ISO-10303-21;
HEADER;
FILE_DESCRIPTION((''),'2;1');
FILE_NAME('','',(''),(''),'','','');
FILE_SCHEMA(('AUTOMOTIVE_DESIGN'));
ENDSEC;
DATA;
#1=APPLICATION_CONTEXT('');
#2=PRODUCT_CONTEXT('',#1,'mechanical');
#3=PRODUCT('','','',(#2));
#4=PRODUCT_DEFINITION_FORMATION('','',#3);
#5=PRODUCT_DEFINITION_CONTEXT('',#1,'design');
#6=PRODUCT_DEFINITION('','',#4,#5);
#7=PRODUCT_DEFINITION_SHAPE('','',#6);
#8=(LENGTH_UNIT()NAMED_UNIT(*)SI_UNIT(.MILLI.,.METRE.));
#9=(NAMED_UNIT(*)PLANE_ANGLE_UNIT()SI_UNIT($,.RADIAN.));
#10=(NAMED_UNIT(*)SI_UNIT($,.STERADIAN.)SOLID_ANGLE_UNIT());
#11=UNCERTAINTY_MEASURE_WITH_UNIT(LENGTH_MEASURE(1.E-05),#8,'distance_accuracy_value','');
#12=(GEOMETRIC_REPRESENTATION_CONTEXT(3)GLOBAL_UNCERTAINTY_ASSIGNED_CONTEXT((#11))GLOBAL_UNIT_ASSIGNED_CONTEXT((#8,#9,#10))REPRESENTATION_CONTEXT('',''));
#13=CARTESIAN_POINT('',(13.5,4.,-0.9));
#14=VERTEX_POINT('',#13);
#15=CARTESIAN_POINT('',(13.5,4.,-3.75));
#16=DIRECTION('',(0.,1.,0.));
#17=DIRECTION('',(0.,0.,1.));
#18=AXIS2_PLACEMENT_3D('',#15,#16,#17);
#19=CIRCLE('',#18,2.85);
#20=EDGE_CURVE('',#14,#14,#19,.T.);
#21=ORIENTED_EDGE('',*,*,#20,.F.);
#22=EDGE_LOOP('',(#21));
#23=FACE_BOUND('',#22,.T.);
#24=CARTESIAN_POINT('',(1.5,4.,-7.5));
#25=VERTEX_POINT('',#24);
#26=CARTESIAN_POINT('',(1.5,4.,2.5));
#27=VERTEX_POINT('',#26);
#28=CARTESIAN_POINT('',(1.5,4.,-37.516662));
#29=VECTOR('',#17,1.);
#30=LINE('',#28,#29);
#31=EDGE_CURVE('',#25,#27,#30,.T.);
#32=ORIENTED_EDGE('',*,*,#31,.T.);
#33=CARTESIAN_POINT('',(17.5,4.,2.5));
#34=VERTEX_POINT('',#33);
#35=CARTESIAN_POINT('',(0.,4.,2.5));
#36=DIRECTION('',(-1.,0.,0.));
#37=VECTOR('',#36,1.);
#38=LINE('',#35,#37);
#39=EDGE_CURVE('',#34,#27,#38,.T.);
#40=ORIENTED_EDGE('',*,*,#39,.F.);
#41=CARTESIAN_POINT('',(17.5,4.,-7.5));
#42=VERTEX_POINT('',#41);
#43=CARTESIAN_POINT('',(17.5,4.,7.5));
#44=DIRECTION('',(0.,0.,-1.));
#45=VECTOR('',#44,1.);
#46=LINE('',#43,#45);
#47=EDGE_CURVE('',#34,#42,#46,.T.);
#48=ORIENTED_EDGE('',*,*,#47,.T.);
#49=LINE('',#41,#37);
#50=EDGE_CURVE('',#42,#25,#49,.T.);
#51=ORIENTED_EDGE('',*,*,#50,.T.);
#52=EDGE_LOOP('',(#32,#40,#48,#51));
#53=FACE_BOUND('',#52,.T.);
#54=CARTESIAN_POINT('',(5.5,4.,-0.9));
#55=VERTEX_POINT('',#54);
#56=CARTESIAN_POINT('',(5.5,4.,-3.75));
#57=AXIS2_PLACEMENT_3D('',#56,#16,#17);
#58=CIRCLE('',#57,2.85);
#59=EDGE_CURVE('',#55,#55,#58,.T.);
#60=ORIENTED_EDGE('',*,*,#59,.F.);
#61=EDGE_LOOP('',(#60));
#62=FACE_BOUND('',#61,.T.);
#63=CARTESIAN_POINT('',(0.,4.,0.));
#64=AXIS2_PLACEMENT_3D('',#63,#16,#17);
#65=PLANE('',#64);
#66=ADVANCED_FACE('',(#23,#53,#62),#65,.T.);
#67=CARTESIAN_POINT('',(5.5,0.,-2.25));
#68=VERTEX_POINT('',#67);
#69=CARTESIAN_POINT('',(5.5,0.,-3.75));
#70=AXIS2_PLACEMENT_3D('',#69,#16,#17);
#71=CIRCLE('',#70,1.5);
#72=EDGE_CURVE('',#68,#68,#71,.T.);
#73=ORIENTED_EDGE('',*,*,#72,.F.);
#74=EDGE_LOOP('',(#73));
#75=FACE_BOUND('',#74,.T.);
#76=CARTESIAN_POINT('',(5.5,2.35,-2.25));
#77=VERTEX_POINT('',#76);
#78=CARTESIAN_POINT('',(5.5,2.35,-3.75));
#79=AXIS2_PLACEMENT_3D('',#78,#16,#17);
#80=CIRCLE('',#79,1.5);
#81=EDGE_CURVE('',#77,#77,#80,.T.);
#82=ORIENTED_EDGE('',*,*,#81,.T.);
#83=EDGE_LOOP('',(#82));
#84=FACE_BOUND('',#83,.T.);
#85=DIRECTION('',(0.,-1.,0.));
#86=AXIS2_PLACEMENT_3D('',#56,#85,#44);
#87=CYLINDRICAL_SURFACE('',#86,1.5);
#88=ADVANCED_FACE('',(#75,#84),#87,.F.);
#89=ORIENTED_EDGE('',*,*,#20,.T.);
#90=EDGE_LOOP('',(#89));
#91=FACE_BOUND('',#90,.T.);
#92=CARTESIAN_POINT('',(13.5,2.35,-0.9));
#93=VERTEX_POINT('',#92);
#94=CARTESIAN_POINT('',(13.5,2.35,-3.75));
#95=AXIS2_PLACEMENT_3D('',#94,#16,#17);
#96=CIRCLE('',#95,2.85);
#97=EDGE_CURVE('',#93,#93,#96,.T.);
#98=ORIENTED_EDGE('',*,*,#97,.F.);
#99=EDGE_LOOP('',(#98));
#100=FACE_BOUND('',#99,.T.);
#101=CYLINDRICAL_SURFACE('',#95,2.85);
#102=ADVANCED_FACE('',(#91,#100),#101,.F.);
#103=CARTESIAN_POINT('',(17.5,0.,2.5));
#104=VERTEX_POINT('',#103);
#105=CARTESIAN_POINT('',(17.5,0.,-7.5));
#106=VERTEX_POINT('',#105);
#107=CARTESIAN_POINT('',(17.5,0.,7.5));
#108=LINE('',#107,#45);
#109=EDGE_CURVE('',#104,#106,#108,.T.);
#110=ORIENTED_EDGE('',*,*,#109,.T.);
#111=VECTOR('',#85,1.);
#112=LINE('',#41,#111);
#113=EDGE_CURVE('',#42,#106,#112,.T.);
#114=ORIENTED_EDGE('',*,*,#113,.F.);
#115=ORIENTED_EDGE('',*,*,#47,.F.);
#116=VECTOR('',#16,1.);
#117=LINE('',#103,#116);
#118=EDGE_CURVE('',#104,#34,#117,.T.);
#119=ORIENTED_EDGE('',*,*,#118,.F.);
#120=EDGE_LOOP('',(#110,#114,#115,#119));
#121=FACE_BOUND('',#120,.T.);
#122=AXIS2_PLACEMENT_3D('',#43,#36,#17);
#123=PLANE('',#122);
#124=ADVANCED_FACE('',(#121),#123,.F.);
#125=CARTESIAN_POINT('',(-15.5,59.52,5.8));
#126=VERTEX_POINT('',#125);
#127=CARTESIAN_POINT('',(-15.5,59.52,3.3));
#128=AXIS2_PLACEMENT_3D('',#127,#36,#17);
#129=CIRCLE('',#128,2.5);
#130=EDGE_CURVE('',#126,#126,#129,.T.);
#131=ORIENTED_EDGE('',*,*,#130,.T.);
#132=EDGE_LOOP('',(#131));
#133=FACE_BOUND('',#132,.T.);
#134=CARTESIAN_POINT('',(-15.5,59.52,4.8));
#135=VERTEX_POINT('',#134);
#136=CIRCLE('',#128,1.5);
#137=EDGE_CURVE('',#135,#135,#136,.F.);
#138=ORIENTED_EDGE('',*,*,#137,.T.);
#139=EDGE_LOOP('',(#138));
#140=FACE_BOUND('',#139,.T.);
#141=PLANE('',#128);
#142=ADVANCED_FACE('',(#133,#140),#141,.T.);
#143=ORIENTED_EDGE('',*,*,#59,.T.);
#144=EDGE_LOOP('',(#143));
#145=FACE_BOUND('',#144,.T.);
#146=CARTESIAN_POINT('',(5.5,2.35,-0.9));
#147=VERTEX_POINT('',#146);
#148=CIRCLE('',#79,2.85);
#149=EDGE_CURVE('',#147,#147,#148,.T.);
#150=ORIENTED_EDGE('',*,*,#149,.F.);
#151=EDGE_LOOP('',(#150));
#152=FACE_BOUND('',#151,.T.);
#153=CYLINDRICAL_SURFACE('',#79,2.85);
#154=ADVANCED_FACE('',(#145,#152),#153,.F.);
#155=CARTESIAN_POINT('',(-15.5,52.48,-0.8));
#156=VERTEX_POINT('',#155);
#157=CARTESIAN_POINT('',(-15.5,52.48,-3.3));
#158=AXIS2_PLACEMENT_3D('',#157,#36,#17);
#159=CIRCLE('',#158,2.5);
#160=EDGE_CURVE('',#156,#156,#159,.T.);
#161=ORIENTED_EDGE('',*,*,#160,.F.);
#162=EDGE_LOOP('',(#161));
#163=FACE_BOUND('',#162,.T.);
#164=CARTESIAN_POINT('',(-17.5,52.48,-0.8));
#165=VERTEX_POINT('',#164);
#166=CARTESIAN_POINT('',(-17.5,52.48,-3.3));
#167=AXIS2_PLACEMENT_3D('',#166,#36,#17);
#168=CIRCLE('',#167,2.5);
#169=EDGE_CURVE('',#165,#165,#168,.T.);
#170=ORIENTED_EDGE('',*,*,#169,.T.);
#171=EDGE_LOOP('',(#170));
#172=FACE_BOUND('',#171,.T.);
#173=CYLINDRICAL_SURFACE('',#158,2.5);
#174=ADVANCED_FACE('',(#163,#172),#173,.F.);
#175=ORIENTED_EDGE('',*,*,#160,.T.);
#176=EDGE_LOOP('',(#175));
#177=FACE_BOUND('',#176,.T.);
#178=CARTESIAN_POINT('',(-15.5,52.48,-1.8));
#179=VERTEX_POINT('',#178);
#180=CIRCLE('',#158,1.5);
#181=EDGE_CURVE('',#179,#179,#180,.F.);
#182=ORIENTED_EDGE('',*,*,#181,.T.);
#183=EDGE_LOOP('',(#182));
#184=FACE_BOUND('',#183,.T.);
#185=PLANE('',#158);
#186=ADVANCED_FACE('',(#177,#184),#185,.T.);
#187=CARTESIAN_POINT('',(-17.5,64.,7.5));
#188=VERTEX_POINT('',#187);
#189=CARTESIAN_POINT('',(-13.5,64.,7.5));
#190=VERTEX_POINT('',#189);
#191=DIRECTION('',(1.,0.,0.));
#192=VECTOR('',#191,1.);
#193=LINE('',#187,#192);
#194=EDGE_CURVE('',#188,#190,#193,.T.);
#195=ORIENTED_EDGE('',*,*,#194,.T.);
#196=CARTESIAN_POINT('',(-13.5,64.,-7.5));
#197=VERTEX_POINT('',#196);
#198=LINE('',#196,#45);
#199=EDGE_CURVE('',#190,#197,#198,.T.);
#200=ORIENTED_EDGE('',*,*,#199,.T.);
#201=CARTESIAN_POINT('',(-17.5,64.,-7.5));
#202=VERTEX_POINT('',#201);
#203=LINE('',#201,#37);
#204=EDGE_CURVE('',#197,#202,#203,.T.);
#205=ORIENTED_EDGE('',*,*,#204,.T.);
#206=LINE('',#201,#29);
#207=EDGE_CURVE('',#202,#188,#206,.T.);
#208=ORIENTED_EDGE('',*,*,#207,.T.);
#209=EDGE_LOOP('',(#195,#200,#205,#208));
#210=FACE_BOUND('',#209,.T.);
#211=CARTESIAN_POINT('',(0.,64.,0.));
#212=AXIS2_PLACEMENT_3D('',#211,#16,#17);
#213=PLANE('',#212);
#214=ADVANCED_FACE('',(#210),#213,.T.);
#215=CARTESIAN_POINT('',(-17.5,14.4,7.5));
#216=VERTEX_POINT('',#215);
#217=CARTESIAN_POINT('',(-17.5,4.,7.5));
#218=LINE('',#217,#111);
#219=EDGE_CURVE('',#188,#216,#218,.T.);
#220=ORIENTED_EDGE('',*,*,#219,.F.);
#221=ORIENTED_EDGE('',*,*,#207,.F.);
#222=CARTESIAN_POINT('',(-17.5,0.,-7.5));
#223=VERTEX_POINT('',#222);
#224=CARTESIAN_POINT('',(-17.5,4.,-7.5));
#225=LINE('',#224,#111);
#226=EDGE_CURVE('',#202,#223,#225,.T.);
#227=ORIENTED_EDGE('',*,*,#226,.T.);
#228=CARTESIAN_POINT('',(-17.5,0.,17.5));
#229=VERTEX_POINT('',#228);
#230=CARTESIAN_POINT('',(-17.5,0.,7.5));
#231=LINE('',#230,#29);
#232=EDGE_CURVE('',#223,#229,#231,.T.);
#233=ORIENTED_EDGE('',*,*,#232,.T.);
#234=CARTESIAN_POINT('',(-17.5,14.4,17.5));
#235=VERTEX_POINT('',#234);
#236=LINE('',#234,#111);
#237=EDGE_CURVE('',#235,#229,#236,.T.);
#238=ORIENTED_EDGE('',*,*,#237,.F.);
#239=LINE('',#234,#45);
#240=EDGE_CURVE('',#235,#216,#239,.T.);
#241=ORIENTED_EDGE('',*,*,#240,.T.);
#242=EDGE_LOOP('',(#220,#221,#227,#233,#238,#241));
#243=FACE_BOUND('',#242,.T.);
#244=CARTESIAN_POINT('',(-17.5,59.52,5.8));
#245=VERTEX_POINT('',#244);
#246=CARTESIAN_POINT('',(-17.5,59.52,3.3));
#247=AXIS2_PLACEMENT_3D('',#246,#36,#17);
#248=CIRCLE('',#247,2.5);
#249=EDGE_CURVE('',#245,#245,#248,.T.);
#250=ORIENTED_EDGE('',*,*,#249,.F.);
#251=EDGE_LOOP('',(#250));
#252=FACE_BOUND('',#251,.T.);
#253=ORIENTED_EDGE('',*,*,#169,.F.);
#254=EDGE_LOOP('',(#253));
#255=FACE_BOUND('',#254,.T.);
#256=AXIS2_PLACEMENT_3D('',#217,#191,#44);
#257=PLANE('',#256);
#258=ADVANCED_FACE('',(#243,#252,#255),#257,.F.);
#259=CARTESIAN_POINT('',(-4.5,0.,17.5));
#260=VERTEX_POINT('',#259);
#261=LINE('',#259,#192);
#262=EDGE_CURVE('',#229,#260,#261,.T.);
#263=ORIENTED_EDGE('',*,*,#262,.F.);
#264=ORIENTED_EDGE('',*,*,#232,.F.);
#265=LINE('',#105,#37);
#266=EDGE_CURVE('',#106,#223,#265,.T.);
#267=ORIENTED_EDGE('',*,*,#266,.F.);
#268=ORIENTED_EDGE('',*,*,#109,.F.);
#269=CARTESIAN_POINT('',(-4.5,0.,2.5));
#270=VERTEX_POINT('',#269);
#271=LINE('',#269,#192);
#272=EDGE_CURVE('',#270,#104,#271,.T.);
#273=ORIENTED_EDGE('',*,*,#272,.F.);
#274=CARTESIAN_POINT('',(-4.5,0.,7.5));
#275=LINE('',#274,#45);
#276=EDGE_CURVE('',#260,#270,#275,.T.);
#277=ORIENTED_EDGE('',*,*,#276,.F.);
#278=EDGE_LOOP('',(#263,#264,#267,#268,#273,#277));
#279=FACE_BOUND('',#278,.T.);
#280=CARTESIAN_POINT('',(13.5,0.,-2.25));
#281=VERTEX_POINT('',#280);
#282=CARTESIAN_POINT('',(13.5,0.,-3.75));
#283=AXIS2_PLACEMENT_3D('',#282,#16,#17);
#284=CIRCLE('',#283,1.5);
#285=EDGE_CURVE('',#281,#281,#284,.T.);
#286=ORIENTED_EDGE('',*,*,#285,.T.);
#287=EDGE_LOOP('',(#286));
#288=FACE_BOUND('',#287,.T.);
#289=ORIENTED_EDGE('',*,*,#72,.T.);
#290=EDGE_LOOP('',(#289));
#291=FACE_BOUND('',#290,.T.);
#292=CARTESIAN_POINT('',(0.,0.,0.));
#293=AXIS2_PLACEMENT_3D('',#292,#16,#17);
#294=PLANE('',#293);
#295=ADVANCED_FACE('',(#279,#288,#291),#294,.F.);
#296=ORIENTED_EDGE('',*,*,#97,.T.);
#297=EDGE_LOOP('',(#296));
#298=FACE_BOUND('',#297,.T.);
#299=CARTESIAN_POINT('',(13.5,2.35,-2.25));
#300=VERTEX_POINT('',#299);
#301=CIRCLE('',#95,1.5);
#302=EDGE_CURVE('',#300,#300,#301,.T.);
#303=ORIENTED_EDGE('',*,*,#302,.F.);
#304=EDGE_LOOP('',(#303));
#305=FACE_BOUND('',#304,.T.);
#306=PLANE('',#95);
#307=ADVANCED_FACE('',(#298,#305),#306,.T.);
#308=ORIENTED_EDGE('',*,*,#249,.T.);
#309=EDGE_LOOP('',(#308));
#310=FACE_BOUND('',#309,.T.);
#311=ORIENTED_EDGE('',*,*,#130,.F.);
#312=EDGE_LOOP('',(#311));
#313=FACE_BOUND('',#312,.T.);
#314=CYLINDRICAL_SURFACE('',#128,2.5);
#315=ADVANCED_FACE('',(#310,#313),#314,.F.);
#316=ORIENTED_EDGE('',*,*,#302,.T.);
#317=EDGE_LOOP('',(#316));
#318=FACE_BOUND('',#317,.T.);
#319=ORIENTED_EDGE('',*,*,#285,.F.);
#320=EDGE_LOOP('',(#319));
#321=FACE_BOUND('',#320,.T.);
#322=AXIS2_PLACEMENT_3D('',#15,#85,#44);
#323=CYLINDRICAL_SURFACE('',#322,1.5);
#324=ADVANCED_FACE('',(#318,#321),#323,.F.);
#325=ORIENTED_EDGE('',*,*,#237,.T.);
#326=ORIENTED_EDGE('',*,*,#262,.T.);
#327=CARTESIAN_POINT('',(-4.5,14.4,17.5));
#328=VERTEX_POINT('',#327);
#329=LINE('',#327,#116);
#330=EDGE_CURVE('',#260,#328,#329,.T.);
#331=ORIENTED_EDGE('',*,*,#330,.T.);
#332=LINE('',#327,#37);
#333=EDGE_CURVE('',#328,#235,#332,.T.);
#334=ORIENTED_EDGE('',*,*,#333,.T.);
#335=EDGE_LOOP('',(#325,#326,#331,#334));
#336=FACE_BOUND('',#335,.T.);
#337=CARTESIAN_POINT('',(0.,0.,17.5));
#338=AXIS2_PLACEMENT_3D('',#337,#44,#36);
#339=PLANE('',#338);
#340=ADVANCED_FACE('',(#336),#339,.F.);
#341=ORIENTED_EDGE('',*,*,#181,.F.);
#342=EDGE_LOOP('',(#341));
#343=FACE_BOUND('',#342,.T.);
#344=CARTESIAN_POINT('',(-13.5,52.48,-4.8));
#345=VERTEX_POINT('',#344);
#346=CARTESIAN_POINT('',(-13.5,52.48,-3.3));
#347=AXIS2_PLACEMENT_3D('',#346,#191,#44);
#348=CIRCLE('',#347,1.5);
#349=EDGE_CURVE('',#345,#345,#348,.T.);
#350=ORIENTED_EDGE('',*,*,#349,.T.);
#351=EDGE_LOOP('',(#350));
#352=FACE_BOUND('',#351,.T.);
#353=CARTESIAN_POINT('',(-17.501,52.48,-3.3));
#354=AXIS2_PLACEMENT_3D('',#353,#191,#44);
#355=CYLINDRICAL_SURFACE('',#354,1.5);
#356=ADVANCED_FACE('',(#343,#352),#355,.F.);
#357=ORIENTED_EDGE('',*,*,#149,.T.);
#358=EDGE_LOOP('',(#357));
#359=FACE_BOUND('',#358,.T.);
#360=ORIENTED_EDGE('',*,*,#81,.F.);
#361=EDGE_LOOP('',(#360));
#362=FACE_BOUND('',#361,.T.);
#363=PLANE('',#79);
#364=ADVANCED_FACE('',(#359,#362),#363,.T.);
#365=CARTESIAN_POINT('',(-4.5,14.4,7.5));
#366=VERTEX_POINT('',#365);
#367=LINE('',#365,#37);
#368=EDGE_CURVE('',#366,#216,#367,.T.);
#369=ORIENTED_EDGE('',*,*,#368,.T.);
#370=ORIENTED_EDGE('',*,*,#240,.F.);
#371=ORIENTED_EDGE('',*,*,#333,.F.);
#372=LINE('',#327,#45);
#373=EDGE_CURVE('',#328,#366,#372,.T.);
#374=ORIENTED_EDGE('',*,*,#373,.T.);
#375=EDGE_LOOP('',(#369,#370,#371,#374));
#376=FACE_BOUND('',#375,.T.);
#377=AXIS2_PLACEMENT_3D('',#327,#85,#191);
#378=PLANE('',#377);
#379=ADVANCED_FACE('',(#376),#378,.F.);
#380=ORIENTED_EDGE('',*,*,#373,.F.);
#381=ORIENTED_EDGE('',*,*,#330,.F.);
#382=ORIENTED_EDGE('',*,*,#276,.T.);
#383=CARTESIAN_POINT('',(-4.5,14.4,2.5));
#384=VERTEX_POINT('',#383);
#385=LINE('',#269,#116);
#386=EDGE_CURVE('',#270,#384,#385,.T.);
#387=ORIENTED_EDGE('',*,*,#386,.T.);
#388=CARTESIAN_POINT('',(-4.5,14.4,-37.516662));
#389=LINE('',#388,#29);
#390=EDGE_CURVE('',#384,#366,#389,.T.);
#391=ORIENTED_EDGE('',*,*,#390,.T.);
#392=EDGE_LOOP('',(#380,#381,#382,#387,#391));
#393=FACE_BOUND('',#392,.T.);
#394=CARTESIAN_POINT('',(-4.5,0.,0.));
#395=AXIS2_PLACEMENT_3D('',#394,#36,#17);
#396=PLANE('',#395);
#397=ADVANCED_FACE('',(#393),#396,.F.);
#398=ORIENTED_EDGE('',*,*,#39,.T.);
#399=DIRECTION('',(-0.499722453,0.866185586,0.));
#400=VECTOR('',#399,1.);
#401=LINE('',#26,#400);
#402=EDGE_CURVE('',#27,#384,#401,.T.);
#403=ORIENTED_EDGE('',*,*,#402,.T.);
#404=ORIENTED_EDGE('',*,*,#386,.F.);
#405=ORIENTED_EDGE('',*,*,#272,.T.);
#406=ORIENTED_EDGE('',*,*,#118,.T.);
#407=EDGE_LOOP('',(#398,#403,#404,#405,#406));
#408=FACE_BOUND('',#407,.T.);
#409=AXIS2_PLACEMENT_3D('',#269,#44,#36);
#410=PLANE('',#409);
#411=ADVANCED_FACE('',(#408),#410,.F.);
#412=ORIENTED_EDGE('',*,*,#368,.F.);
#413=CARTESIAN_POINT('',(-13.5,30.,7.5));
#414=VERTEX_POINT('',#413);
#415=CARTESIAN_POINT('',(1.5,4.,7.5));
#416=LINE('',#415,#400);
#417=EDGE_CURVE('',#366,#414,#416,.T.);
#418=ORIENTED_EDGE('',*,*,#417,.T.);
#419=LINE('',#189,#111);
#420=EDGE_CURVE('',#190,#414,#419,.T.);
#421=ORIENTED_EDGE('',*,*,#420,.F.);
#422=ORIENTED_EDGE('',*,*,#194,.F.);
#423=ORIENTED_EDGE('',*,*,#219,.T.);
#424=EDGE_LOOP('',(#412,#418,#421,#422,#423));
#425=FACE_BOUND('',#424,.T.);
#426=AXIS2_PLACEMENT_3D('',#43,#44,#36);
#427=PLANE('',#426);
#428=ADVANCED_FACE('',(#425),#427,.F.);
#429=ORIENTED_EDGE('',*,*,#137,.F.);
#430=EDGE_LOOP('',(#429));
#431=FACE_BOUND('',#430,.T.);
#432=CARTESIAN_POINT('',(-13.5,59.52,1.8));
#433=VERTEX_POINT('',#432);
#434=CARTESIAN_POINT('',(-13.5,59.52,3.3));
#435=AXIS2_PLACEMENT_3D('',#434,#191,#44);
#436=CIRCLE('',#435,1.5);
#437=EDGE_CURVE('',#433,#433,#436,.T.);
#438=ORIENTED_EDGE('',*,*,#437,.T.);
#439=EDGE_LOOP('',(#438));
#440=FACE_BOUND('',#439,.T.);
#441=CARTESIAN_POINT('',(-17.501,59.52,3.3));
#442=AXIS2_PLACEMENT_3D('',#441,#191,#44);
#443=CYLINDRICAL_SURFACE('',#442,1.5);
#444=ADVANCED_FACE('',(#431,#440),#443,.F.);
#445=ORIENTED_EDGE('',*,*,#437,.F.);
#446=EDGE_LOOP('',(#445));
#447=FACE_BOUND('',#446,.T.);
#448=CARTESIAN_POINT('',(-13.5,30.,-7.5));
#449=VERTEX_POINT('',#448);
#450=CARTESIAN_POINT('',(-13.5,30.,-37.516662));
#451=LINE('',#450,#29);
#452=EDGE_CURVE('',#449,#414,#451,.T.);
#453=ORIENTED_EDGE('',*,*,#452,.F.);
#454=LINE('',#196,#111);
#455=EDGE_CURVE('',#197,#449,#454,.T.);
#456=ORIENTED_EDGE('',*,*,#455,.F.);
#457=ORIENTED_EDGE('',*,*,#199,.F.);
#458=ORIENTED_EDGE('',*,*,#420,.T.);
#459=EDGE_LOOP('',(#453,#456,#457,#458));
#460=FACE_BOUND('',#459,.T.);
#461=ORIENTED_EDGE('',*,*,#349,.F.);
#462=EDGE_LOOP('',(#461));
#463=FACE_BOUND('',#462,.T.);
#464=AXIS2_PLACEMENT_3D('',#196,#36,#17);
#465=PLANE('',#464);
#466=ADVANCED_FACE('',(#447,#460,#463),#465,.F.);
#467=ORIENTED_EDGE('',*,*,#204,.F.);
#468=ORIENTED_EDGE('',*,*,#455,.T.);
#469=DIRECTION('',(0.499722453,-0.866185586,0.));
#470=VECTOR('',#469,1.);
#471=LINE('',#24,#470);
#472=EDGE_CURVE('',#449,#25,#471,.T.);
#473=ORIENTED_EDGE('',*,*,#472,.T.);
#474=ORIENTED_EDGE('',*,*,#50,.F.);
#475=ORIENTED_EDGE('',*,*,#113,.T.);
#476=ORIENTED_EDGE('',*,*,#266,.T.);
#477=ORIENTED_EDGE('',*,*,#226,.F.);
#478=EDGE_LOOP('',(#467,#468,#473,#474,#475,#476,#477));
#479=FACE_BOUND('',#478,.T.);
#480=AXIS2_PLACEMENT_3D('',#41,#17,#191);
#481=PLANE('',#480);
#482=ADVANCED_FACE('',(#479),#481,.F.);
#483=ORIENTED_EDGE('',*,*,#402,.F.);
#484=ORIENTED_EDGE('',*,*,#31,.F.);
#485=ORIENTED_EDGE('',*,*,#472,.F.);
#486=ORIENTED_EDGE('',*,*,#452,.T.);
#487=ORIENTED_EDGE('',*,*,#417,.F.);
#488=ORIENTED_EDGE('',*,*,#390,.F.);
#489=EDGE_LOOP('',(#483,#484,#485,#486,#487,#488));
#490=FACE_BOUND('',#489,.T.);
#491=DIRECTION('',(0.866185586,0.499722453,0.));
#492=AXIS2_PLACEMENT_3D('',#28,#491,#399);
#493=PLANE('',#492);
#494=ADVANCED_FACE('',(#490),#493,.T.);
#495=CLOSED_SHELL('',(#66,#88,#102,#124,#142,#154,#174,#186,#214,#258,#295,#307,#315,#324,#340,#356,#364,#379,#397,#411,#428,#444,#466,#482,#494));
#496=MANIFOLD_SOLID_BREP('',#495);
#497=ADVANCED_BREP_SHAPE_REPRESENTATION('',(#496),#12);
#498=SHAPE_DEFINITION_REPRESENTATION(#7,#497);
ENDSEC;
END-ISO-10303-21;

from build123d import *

# Parameters (mm, degrees)
CROQUIS1_W              = 35
CROQUIS1_H              = 15
CROQUIS1_R              = 1.5
SALIENTE_EXTRUIR1_DEPTH = 4
CROQUIS2_W              = 4
CROQUIS2_H              = 15
SALIENTE_EXTRUIR2_DEPTH = 60
SALIENTE_EXTRUIR3_DEPTH = 15
CROQUIS4_R              = 2.85
CORTAR_EXTRUIR1_DEPTH   = 1.65
CROQUIS5_W              = 5
CROQUIS5_H              = 22
CORTAR_EXTRUIR2_DEPTH   = 22
CORTAR_EXTRUIR5_REACH   = 73.507
CROQUIS6_R              = 1.5
CROQUIS7_R              = 2.5
CORTAR_EXTRUIR6_DEPTH   = 2
CROQUIS9_W              = 13
CROQUIS9_H              = 14.4
SALIENTE_EXTRUIR4_DEPTH = 10


with BuildPart() as part:
    # Croquis1 → Saliente-Extruir1 (new body)
    with BuildSketch(Plane(origin=(0, 0, 0), x_dir=(1, 0, 0), z_dir=(0, 1, 0))):
        Rectangle(CROQUIS1_W, CROQUIS1_H)
        with Locations(Location((5.5, 3.75, 0), (0, 0, 270))):
            Circle(CROQUIS1_R, mode=Mode.SUBTRACT)
        with Locations(Location((13.5, 3.75, 0), (0, 0, 270))):
            Circle(CROQUIS1_R, mode=Mode.SUBTRACT)
    extrude(amount=SALIENTE_EXTRUIR1_DEPTH)

    # Croquis2 → Saliente-Extruir2 (add)
    with BuildSketch(Plane(origin=(0, 4, 0), x_dir=(1, 0, 0), z_dir=(0, 1, 0))):
        with Locations((-15.5, 0)):
            Rectangle(CROQUIS2_W, CROQUIS2_H)
    extrude(amount=SALIENTE_EXTRUIR2_DEPTH)

    # Croquis3 → Saliente-Extruir3 (add)
    with BuildSketch(Plane.XY.offset(7.5)):
        Polygon((-13.5, 4), (-13.5, 30), (1.5, 4), align=None)
    extrude(amount=-SALIENTE_EXTRUIR3_DEPTH)

    # Croquis4 → Cortar-Extruir1 (cut)
    with BuildSketch(Plane(origin=(0, 4, 0), x_dir=(1, 0, 0), z_dir=(0, 1, 0))):
        with Locations(Location((5.5, 3.75, 0), (0, 0, 270))):
            Circle(CROQUIS4_R)
        with Locations(Location((13.5, 3.75, 0), (0, 0, 270))):
            Circle(CROQUIS4_R)
    extrude(amount=-CORTAR_EXTRUIR1_DEPTH, mode=Mode.SUBTRACT)

    # Croquis5 → Cortar-Extruir2 (cut)
    with BuildSketch(Plane(origin=(17.5, 0, 0), x_dir=(0, 0, -1), z_dir=(1, 0, 0))):
        with Locations((-5, 11)):
            Rectangle(CROQUIS5_W, CROQUIS5_H)
    extrude(amount=-CORTAR_EXTRUIR2_DEPTH, mode=Mode.SUBTRACT)

    # Croquis6 → Cortar-Extruir5 (cut, up to next)
    with BuildSketch(Plane(origin=(-13.5, 0, 0), x_dir=(0, 0, -1), z_dir=(1, 0, 0)), mode=Mode.PRIVATE) as cortar_extruir5_sk1:
        with Locations((-3.3, 59.52)):
            Circle(CROQUIS6_R)
    cortar_extruir5_tool1 = extrude(cortar_extruir5_sk1.sketch, amount=-CORTAR_EXTRUIR5_REACH, mode=Mode.PRIVATE) & part.part
    # Croquis6 → Cortar-Extruir5 (cut, up to next)
    with BuildSketch(Plane(origin=(-13.5, 0, 0), x_dir=(0, 0, -1), z_dir=(1, 0, 0)), mode=Mode.PRIVATE) as cortar_extruir5_sk2:
        with Locations((3.3, 52.48)):
            Circle(CROQUIS6_R)
    cortar_extruir5_tool2 = extrude(cortar_extruir5_sk2.sketch, amount=-CORTAR_EXTRUIR5_REACH, mode=Mode.PRIVATE) & part.part
    add(cortar_extruir5_tool1.solids().sort_by_distance((-13.5, 59.52, 3.3))[0], mode=Mode.SUBTRACT)
    add(cortar_extruir5_tool2.solids().sort_by_distance((-13.5, 52.48, -3.3))[0], mode=Mode.SUBTRACT)

    # Croquis7 → Cortar-Extruir6 (cut)
    with BuildSketch(Plane.ZY.offset(17.5)):
        with Locations((-3.3, 52.48)):
            Circle(CROQUIS7_R)
        with Locations((3.3, 59.52)):
            Circle(CROQUIS7_R)
    extrude(amount=-CORTAR_EXTRUIR6_DEPTH, mode=Mode.SUBTRACT)

    # Croquis9 → Saliente-Extruir4 (add)
    with BuildSketch(Plane.XY.offset(7.5)):
        with Locations((-11, 7.2)):
            Rectangle(CROQUIS9_W, CROQUIS9_H)
    extrude(amount=SALIENTE_EXTRUIR4_DEPTH)


solid = part.part
